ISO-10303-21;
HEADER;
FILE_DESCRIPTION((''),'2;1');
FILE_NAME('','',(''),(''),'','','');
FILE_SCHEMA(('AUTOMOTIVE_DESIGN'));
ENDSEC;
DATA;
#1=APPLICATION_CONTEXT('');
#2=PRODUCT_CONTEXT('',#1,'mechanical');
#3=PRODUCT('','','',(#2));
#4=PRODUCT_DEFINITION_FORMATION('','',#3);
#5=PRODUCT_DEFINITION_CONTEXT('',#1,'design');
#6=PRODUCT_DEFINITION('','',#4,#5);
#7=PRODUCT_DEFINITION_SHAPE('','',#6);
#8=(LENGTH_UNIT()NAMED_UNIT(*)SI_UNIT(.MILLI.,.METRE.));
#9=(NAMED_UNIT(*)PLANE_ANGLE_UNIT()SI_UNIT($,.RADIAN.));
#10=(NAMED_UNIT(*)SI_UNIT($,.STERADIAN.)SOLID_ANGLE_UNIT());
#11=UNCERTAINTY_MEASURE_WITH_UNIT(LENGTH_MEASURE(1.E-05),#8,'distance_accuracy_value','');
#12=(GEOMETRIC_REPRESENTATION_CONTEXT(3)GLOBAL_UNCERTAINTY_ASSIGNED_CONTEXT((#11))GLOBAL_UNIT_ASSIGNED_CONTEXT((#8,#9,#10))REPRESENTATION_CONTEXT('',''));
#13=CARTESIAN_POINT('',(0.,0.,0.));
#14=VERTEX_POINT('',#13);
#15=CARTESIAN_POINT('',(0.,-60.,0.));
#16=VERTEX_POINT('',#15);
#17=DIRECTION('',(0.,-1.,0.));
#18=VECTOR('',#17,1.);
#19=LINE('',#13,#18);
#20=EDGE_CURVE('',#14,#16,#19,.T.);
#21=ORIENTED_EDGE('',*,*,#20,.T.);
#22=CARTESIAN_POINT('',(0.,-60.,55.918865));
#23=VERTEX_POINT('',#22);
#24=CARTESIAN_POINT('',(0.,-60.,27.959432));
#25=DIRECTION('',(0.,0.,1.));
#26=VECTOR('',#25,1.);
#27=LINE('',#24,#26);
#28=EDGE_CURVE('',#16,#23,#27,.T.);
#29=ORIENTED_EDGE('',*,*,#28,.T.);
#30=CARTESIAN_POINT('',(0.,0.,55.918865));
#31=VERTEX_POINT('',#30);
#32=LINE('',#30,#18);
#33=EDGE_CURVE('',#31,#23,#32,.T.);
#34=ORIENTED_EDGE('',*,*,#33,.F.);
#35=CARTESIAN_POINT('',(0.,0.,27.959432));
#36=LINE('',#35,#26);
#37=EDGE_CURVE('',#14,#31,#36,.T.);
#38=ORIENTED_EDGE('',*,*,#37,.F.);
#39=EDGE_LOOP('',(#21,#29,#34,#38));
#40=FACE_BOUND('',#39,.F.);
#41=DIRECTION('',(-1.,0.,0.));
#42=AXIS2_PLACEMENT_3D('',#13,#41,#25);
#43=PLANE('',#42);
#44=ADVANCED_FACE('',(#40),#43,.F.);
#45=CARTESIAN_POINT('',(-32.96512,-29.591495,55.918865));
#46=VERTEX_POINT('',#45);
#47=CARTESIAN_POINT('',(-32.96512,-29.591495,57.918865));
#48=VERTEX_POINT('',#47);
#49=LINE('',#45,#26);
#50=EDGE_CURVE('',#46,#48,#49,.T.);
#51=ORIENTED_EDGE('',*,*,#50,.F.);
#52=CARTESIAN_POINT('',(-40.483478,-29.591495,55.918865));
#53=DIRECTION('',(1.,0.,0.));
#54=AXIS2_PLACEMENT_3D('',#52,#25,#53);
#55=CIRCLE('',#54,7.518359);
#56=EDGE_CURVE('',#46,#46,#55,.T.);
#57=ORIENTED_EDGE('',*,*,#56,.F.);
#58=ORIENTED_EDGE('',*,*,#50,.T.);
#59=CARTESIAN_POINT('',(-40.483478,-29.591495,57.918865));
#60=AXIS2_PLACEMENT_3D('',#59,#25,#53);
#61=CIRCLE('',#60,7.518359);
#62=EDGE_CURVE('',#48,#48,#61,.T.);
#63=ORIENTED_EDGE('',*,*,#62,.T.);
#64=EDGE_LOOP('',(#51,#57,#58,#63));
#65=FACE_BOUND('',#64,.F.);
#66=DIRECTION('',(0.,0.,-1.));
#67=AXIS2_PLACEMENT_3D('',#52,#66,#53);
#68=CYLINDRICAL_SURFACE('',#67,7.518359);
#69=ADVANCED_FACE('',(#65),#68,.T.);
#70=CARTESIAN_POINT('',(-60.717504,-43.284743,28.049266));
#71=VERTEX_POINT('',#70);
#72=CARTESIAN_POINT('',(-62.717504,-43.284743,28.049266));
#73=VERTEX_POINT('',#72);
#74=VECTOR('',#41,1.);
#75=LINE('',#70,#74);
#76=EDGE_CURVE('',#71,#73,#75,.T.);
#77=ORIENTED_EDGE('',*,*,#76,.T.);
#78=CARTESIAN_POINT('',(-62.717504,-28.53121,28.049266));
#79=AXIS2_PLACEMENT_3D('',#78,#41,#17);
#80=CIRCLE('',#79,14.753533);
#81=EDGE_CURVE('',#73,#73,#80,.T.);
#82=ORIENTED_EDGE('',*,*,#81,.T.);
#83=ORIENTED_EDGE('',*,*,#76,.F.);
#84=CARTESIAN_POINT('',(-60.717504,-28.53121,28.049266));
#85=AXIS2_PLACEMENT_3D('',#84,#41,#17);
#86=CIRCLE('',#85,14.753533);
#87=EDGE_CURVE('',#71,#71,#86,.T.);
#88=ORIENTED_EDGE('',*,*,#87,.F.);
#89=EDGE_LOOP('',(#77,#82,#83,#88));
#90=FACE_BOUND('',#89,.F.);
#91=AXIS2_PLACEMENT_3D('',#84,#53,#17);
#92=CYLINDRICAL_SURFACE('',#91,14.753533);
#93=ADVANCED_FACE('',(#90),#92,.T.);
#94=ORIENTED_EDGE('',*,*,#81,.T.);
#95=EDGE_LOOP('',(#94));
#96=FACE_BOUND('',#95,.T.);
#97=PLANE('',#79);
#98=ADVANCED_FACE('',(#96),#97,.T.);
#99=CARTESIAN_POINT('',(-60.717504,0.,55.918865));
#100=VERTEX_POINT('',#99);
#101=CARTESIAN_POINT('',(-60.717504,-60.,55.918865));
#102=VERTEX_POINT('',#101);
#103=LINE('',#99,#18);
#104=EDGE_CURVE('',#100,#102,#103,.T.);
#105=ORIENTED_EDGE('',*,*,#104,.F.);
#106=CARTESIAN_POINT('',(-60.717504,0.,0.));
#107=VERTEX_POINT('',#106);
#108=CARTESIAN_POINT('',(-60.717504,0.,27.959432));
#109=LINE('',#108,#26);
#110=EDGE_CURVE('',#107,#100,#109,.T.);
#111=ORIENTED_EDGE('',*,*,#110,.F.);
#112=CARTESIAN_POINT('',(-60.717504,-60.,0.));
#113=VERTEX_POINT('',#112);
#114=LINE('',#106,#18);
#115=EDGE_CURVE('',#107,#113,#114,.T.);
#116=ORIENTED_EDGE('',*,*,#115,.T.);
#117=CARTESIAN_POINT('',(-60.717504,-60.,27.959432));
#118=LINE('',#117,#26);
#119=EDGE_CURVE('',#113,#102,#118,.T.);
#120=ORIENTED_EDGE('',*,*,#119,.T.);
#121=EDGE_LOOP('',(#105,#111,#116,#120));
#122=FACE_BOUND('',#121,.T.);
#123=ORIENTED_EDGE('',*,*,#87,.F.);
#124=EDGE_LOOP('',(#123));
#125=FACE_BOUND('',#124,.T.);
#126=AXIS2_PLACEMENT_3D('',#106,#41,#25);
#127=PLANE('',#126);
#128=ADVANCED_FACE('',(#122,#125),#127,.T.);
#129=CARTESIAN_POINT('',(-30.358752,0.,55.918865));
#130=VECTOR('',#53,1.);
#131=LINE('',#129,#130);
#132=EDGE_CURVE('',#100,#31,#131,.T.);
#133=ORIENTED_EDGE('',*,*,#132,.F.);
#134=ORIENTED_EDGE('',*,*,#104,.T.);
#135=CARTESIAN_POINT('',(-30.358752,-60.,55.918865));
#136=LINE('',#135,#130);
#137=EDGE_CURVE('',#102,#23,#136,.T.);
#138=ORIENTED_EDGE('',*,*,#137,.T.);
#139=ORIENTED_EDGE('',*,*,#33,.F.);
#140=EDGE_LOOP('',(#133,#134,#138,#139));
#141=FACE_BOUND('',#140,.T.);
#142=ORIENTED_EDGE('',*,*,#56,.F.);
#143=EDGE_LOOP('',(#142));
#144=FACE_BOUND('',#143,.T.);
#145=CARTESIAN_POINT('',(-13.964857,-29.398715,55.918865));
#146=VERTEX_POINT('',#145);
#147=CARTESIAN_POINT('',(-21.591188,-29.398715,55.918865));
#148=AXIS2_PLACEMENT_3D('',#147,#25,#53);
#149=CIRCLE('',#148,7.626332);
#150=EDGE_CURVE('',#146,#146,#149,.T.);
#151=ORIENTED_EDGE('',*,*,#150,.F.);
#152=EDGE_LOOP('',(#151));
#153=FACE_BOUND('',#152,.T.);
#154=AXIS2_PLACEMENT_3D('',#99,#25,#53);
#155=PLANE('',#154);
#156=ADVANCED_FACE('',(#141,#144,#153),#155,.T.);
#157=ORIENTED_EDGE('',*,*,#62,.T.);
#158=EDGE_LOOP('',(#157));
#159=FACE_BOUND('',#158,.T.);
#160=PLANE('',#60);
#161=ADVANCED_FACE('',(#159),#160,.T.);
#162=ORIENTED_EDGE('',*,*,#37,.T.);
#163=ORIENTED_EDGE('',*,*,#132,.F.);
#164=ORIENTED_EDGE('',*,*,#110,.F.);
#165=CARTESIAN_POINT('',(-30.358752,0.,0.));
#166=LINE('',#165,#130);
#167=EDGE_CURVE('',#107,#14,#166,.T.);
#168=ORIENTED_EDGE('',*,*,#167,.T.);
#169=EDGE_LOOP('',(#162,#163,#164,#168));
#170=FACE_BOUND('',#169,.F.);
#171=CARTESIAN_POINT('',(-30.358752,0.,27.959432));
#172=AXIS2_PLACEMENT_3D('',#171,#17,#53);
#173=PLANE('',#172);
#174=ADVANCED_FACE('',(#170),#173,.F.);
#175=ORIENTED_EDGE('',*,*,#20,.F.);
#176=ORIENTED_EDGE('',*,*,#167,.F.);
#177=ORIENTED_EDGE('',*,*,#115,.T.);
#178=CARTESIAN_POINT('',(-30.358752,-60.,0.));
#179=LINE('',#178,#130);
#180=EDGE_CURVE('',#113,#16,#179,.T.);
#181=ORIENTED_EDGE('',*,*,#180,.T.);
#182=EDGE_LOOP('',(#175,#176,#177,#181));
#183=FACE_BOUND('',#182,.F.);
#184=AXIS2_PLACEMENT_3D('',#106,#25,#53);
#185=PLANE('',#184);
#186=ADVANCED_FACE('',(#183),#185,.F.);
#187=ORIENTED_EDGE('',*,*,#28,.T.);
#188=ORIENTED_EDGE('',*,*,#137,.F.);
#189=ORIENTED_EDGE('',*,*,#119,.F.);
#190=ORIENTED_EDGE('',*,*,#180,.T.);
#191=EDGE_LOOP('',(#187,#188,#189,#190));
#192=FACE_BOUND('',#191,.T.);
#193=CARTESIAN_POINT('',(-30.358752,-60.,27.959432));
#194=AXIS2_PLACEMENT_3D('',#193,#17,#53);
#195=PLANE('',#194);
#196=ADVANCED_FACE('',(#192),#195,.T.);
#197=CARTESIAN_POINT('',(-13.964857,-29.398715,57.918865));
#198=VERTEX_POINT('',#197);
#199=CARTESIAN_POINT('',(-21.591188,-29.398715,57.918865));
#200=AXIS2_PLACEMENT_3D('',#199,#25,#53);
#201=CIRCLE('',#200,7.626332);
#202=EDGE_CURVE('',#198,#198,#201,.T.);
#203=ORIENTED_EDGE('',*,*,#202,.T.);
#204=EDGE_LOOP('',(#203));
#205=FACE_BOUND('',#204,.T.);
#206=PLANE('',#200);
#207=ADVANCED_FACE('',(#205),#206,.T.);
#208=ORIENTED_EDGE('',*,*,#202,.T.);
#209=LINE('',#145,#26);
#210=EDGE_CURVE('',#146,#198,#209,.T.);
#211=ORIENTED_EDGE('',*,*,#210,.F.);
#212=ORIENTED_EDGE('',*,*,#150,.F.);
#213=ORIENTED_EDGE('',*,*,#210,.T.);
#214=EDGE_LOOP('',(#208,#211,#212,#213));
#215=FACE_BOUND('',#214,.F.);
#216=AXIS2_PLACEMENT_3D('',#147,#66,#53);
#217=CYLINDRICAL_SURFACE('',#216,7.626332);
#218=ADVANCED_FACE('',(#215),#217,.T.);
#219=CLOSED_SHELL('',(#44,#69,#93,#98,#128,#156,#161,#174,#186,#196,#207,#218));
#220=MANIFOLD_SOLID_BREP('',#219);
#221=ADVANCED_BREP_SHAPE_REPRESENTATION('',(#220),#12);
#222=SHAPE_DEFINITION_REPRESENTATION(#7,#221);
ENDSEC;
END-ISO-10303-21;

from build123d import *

# Parameters (mm, degrees)
F0_W     = 60.7175044715
F0_H     = 55.9188649058
F0_R     = 7.6059383026
F1_DEPTH = 60
F2_R     = 14.7535326744
F3_DEPTH = 2
F4_R     = 7.5183585286
F6_DEPTH = 2
F5_R     = 7.6263318458
F7_DEPTH = 2


with BuildPart() as f1:
    # F0 (on Front) → F1 (new body)
    with BuildSketch(Plane.XZ):
        with Locations((-30.3587522358, 27.9594324529)):
            Rectangle(F0_W, F0_H)
        with Locations((-31.1422031373, 29.4773690403)):
            Circle(F0_R, mode=Mode.SUBTRACT)
        with Locations((-31.1422031373, 29.4773690403)):
            Circle(F0_R)
    extrude(amount=F1_DEPTH)

    # F2 (on face) → F3 (join)
    with BuildSketch(Plane(origin=(-60.7175044715, 0, 0), x_dir=(0, -1, 0), z_dir=(-1, 0, 0))):
        with Locations((28.531210497, 28.0492659658)):
            Circle(F2_R)
    extrude(amount=F3_DEPTH)

    # F4 (on face) → F6 (join)
    with BuildSketch(Plane.XY.offset(55.9188649058)):
        with Locations((-40.4834784567, -29.5914951712)):
            Circle(F4_R)
    extrude(amount=F6_DEPTH)

    # F5 (on face) → F7 (join)
    with BuildSketch(Plane.XY.offset(55.9188649058)):
        with Locations((-21.5911883861, -29.3987151235)):
            Circle(F5_R)
    extrude(amount=F7_DEPTH)


solid = f1.part
